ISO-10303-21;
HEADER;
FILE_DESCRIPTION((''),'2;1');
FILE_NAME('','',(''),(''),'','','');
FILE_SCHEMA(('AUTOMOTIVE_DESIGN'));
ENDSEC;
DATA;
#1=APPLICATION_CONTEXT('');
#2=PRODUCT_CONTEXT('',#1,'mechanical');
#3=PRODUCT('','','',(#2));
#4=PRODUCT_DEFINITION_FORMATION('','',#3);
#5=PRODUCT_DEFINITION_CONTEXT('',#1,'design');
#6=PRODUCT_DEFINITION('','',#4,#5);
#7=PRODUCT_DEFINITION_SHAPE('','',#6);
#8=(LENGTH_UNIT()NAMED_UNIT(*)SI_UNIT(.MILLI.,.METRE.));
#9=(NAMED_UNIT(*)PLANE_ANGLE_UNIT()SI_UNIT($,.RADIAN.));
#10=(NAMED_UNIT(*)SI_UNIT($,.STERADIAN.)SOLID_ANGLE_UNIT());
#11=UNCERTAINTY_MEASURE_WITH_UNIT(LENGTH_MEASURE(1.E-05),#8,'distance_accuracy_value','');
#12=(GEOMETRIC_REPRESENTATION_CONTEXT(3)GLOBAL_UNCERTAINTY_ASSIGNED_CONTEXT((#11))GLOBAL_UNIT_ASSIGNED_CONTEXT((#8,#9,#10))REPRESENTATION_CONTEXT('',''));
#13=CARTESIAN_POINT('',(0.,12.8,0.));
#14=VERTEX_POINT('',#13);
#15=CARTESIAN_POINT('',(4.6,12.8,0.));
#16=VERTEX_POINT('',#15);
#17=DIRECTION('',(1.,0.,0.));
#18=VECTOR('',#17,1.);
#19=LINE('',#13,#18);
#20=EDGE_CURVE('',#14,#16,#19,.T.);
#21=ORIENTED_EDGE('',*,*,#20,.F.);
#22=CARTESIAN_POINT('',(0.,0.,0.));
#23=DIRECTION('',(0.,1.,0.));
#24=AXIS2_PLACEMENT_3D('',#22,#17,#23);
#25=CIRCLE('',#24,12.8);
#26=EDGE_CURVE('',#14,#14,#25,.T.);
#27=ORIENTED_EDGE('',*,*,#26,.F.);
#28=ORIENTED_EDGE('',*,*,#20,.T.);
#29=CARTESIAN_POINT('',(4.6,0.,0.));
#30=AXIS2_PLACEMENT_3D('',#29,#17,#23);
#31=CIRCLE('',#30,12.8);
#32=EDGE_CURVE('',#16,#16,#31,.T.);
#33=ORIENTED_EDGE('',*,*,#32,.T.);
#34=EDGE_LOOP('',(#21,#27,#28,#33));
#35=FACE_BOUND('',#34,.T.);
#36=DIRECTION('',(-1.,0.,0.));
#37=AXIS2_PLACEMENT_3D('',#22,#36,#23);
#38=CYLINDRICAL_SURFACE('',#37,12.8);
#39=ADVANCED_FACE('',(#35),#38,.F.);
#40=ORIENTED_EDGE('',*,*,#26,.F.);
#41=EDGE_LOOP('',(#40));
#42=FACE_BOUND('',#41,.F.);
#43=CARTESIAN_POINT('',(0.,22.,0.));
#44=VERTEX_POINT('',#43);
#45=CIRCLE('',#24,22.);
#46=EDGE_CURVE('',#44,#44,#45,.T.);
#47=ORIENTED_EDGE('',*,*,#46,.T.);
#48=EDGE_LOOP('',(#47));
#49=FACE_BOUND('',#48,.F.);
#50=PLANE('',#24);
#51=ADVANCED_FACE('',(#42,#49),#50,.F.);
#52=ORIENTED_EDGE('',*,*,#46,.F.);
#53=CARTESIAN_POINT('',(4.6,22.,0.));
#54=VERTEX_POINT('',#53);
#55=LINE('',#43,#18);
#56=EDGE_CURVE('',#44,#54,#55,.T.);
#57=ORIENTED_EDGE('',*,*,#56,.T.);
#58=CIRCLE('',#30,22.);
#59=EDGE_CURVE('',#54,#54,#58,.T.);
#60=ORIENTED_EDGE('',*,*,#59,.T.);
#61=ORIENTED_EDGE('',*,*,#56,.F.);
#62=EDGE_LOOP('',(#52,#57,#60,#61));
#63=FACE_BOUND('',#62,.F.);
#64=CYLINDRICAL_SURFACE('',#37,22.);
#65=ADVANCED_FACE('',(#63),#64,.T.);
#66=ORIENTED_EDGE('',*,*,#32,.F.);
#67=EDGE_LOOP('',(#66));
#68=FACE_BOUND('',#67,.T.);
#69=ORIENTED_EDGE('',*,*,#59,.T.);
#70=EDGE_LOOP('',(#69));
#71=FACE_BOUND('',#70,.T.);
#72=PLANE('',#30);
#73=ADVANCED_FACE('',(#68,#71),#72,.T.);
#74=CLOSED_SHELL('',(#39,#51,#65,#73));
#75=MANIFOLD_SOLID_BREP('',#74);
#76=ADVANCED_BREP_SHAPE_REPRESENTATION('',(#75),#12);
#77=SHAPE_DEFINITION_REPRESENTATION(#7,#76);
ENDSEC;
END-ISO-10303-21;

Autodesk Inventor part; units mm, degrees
ref_plane "YZ Plane" through (0, 0, 0) normal (1, 0, 0) x (0, 1, 0)
ref_plane "XZ Plane" through (0, 0, 0) normal (0, 1, 0) x (-1, 0, 0)
sketch "Sketch" plane through (0, 0, 0) normal (1, 0, 0) x (0, 1, 0)
  circle A0 centre (0, 0) radius 22
  circle A1 centre (0, 0) radius 12.8
  dimension "d0" = 25.6
  dimension "d1" = 44
extrude "Body" add sketch "Sketch" along normal blind 4.6
ref_plane "Work Plane1" through (0, 0, 0) normal (0, 0, 1) x (1, 0, 0)
equation "\"d0\" = SD1"
equation "\"d1\" = SD2"
equation "\"d2\" = SD"
equation "\"SD1\" = 25.6"
equation "\"SD2\" = 44"
equation "\"SD\" = 4.6"
equation "\"NND\" = 24"
properties part number "ANSI B18.22M - 24 N" material "Steel, Mild"
